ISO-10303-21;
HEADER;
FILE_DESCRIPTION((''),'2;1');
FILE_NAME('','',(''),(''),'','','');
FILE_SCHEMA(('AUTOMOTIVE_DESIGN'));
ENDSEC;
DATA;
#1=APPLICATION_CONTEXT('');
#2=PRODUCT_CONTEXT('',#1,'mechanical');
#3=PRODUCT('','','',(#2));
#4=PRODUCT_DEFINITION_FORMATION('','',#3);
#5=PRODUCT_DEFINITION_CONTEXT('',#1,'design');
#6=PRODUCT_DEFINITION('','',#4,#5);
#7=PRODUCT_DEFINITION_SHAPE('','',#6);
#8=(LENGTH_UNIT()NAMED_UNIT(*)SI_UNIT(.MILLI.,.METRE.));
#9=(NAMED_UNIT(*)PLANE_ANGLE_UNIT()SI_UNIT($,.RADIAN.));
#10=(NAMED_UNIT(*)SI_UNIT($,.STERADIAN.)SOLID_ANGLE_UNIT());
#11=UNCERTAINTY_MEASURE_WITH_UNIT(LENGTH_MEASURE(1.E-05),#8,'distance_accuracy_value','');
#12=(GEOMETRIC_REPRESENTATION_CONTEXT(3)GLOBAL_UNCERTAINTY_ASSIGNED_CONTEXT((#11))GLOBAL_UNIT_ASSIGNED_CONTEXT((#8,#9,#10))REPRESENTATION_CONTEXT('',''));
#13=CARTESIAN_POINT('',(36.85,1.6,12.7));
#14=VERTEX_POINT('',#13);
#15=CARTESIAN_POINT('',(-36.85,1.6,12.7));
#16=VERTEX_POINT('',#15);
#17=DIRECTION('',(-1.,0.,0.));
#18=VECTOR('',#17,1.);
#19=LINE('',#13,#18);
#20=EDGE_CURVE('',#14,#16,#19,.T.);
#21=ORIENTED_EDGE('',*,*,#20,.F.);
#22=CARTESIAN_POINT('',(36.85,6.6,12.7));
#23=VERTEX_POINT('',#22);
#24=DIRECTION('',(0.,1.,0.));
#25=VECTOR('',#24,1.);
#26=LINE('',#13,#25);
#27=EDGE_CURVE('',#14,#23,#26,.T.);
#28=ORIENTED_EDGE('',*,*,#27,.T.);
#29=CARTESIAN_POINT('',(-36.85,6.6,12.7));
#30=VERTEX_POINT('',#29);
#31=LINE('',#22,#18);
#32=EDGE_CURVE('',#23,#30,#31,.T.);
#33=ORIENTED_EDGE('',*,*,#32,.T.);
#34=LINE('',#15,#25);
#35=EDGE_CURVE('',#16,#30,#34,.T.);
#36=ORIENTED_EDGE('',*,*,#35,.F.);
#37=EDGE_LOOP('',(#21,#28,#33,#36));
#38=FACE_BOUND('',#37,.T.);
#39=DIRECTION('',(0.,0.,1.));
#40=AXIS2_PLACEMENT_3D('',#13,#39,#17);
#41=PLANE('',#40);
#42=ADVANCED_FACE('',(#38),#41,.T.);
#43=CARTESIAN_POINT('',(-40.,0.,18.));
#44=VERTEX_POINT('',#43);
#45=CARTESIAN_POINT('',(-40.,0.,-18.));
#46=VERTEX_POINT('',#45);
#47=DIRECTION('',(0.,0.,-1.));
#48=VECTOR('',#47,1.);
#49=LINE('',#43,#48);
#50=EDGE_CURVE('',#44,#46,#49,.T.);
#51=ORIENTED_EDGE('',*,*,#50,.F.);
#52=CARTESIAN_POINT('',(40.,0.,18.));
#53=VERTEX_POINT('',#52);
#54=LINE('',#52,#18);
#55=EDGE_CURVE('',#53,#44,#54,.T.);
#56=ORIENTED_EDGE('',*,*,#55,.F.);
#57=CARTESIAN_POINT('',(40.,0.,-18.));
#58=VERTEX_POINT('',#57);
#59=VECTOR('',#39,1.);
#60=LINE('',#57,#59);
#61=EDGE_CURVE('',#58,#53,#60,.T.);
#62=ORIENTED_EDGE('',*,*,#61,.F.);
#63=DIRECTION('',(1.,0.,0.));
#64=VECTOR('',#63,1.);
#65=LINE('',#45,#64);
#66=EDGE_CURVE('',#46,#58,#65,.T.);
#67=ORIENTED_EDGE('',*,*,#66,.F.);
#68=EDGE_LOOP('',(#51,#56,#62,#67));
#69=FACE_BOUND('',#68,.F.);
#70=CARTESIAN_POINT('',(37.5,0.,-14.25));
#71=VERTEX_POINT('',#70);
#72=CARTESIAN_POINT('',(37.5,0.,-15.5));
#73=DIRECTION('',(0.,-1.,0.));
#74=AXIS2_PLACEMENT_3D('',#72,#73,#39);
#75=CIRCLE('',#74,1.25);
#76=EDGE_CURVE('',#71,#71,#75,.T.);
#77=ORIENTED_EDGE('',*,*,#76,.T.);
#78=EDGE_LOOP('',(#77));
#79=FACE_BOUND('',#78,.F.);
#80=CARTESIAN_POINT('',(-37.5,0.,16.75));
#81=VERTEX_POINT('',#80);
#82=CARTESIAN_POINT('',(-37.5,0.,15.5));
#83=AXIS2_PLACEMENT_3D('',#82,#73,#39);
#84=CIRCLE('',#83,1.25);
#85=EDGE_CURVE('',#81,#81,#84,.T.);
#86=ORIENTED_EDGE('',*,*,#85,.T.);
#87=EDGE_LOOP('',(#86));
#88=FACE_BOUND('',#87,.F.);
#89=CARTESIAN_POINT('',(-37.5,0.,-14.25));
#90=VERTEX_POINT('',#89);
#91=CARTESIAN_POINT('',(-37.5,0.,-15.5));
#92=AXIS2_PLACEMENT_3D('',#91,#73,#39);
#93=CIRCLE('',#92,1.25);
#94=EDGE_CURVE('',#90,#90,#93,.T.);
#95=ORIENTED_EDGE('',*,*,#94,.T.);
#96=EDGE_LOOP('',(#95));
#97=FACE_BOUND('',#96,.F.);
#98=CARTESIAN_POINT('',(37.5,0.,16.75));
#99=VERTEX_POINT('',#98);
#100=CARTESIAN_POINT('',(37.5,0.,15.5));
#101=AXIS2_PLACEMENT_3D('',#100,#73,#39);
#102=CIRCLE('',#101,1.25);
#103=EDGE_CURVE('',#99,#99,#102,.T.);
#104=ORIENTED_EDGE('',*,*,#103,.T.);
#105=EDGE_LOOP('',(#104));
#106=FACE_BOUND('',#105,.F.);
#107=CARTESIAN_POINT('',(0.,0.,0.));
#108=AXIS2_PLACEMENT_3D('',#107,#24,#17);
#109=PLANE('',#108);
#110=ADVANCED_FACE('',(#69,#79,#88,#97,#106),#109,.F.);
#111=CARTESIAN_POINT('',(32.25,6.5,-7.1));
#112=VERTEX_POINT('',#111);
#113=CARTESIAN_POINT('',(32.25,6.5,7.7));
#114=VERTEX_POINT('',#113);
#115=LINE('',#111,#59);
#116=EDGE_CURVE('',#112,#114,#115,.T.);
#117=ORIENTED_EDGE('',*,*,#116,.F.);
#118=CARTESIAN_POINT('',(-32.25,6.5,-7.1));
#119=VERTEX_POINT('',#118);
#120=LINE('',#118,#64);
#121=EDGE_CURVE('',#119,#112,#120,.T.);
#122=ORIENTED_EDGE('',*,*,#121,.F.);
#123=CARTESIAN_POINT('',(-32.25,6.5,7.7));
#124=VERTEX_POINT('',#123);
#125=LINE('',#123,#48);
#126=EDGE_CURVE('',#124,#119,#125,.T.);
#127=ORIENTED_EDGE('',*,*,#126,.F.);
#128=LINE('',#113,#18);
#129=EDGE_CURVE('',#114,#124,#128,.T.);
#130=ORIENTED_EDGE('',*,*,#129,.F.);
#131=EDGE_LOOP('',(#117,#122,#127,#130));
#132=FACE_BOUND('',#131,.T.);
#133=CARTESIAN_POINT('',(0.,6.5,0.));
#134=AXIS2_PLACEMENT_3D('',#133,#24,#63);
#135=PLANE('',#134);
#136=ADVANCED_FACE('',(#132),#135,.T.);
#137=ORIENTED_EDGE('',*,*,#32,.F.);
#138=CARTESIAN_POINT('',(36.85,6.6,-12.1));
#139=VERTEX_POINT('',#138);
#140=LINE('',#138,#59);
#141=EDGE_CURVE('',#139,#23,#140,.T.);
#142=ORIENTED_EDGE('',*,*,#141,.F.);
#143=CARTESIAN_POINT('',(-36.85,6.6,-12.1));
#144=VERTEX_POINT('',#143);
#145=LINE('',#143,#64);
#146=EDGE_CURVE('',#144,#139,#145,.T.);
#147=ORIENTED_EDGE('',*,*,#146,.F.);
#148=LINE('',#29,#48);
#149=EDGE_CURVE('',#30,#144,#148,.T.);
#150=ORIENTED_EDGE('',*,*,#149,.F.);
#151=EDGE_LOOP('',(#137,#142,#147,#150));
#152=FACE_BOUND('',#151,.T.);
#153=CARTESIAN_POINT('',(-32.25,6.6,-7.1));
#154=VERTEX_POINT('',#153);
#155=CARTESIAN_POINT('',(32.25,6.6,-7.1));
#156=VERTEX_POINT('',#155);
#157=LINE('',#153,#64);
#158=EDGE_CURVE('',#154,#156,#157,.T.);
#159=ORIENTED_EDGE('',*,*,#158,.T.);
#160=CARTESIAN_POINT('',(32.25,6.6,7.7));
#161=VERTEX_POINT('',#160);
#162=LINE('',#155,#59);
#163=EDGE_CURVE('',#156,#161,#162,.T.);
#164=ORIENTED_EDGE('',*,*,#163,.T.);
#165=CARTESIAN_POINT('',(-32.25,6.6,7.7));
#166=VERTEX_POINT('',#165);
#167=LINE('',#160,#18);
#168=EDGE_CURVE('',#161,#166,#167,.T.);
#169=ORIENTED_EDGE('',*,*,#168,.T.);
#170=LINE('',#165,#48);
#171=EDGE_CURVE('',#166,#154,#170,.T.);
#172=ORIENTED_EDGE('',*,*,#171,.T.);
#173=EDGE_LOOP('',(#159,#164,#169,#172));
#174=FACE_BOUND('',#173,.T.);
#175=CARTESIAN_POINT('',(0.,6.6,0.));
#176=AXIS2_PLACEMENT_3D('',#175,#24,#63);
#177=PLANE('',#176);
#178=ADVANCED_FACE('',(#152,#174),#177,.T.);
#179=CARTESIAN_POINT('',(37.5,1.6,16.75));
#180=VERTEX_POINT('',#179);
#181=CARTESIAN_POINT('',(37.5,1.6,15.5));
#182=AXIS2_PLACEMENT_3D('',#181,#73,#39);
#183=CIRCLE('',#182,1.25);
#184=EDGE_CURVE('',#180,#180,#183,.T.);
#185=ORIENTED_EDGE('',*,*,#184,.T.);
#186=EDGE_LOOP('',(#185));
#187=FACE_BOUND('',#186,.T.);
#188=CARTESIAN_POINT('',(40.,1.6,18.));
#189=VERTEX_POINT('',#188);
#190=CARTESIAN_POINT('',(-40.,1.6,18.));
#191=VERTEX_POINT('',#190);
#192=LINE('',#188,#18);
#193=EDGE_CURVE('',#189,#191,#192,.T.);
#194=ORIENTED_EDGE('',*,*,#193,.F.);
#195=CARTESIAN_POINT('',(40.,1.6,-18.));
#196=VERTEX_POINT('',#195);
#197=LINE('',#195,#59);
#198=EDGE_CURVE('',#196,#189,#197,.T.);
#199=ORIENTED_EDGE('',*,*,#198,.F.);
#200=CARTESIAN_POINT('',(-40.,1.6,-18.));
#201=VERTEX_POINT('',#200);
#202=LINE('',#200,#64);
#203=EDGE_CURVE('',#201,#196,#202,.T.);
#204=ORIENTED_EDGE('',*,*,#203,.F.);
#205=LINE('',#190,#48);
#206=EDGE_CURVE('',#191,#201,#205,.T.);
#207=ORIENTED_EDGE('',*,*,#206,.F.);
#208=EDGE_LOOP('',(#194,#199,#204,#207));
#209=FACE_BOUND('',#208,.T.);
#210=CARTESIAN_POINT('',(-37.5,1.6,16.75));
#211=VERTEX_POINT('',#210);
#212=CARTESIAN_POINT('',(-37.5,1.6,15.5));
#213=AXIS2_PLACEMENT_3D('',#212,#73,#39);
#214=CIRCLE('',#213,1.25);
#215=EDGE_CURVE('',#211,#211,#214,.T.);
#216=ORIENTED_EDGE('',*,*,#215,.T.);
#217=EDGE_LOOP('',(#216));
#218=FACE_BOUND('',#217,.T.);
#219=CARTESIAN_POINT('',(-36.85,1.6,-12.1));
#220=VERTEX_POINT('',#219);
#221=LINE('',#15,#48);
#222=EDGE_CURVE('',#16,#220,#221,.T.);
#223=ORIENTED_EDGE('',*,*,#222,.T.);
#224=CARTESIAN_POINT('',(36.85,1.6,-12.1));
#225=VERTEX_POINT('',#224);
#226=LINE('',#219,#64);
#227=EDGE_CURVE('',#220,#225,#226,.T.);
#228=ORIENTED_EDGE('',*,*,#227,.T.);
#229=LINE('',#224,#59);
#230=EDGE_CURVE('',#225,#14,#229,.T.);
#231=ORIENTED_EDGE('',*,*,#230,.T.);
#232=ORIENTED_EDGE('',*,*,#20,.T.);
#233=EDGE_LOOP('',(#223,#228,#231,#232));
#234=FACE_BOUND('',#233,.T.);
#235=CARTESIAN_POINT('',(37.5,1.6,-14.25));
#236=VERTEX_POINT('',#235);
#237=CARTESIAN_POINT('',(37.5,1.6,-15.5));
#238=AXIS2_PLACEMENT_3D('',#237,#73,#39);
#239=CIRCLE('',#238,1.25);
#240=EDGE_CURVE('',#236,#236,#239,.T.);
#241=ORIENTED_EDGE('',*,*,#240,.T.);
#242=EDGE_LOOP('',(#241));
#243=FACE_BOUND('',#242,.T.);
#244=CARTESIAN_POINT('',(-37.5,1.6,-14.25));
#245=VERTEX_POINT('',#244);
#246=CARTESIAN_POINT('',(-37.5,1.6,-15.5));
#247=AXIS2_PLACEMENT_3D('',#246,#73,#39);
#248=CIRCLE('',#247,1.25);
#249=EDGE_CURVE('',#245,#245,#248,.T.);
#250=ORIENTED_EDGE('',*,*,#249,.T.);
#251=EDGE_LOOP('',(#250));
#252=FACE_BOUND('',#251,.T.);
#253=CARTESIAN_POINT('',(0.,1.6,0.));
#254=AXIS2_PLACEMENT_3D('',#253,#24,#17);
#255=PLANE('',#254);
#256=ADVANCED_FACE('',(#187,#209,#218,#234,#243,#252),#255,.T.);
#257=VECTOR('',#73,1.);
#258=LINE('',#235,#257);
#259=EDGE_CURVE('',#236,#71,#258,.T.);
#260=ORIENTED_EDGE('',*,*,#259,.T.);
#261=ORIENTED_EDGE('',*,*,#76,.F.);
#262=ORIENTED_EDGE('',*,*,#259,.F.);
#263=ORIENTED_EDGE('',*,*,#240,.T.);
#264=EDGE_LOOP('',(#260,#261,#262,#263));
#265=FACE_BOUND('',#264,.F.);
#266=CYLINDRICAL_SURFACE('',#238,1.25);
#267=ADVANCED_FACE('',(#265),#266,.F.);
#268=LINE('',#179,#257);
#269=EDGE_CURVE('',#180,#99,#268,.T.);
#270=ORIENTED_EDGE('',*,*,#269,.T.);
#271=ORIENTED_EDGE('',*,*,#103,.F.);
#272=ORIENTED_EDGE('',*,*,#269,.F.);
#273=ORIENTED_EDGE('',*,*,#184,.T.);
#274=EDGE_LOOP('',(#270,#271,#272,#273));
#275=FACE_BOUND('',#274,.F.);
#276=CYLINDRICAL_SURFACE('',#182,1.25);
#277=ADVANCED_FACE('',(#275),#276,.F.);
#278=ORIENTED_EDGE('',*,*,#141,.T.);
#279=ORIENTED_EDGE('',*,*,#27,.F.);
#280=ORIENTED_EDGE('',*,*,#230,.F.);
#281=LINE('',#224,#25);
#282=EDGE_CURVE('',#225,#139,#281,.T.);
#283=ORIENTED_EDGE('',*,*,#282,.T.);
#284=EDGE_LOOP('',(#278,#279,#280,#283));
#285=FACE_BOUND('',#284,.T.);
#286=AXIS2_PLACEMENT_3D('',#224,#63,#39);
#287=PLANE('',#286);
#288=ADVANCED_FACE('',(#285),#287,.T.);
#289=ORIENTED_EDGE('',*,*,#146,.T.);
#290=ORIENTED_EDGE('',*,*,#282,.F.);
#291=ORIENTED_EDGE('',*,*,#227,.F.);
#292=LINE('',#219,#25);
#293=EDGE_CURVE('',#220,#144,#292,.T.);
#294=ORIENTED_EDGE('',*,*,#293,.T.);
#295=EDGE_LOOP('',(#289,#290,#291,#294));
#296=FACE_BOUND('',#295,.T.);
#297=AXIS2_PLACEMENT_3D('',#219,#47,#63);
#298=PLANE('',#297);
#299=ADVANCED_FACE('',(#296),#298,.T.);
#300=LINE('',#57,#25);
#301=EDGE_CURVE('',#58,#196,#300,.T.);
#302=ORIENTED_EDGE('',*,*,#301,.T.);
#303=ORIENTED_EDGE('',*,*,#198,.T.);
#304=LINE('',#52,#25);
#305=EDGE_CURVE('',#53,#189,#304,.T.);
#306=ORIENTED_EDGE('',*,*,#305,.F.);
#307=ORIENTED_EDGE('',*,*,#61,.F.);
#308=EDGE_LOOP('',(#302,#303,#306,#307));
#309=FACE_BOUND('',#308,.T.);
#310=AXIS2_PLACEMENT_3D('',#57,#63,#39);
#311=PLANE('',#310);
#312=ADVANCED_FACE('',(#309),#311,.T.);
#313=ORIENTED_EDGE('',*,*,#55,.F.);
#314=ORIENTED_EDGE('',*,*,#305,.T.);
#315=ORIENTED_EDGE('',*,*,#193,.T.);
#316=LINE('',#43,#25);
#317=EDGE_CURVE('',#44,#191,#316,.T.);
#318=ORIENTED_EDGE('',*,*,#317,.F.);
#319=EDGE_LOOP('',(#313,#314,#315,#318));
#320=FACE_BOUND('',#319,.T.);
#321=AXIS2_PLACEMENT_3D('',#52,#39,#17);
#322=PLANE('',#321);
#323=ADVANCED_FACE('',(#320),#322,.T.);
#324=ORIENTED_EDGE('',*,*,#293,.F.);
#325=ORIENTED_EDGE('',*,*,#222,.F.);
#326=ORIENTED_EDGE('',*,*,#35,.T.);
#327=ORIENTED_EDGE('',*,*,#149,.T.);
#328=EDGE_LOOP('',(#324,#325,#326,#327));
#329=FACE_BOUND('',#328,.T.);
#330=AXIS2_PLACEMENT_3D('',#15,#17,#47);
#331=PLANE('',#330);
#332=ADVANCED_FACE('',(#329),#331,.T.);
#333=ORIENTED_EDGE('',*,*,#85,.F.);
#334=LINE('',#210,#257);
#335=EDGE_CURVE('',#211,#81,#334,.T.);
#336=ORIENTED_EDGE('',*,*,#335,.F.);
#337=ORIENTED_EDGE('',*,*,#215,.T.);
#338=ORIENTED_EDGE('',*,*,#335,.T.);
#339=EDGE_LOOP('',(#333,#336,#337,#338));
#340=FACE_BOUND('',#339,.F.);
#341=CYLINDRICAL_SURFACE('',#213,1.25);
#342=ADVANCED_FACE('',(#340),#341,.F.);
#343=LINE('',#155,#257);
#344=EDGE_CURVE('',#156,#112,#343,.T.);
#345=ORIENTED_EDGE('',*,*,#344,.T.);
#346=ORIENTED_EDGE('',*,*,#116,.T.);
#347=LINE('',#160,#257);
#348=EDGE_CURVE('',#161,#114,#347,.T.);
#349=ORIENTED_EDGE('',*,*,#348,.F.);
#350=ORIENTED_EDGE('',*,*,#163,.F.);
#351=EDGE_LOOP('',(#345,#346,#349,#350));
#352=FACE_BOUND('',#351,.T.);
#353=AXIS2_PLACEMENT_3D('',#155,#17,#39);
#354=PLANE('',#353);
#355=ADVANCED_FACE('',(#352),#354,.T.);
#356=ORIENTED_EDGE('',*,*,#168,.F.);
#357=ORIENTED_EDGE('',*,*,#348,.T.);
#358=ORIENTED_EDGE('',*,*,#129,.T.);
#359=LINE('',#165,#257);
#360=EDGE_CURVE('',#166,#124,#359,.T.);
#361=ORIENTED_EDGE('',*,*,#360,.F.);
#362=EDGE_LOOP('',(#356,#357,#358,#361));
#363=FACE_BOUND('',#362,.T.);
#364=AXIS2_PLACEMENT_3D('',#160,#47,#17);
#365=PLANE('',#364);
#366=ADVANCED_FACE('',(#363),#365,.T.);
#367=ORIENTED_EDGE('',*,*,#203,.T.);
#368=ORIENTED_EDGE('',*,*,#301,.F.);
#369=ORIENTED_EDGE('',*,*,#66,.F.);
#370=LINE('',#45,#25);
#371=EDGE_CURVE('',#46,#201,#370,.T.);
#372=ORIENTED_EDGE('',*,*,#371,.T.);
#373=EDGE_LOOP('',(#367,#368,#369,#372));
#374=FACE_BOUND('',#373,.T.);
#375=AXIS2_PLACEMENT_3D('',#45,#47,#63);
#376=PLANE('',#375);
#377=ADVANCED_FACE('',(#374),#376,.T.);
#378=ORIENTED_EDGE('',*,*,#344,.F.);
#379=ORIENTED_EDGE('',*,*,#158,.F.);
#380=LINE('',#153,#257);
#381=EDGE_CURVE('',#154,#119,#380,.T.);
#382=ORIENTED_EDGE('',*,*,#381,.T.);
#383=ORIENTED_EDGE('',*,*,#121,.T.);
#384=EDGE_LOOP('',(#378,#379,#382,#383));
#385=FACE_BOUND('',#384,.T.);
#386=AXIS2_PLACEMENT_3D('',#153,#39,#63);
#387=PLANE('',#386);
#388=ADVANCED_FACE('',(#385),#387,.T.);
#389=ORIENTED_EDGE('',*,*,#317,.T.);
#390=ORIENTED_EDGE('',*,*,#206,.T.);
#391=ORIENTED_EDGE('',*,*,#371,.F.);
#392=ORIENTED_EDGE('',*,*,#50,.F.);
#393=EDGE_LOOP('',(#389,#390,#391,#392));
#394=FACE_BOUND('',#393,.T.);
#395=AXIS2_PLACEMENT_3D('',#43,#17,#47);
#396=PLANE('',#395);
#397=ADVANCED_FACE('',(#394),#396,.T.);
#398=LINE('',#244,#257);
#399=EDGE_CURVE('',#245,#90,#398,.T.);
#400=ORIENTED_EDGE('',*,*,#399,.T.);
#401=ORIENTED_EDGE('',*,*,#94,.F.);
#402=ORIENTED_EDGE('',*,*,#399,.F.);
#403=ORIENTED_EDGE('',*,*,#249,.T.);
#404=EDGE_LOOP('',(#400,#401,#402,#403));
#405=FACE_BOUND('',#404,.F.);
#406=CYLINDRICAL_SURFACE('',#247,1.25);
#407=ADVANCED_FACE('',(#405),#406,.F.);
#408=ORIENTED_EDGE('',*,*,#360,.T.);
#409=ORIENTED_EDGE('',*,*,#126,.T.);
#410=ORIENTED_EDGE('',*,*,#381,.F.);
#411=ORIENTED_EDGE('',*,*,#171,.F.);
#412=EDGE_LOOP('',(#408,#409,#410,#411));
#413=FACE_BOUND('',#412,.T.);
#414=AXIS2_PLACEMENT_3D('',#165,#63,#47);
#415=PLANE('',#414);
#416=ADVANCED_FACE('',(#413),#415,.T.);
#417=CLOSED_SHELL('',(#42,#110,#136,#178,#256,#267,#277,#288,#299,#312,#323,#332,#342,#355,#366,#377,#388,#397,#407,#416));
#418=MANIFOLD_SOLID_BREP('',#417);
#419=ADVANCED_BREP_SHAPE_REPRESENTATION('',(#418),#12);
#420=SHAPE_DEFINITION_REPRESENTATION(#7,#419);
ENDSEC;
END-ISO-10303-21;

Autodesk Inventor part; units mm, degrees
ref_plane "YZ Plane" through (0, 0, 0) normal (1, 0, 0) x (0, 1, 0)
ref_plane "XZ Plane" through (0, 0, 0) normal (0, 1, 0) x (-1, 0, 0)
ref_plane "XY Plane" through (0, 0, 0) normal (0, 0, 1) x (1, 0, 0)
sketch "Sketch1" plane through (0, 0, 0) normal (0, 1, 0) x (-1, 0, 0)
  line L0 (-40, 18) -> (40, 18)
  line L1 (40, 18) -> (40, -18)
  line L2 (40, -18) -> (-40, -18)
  line L3 (-40, -18) -> (-40, 18)
  line L4 (-40, 18) -> (40, -18) construction
  line L5 (40, 18) -> (-40, -18) construction
  point P0 (0, 0)
  dimension "d0" = 80
  dimension "d1" = 36
extrude "Extrusion1" add sketch "Sketch1" along normal blind 1.6
sketch "Sketch2" plane through (0, 1.6, 0) normal (0, 1, 0) x (1, 0, 0)
  line L0 (-40, -18) -> (40, -18) construction
  line L1 (40, -18) -> (40, 18) construction
  line L2 (40, 18) -> (-40, 18) construction
  line L3 (-40, 18) -> (-40, -18) construction
  point P0 (0, 0)
  point P1 (-37.5, 15.5)
  point P2 (37.5, 15.5)
  point P3 (-37.5, -15.5)
  point P4 (37.5, -15.5)
  dimension "d4" = 75
  dimension "d5" = 31
  dimension "d6" = 2.5
  dimension "d7" = 2.5
hole "Hole1" at (-37.5, 1.6, -15.5) at (37.5, 1.6, -15.5) at (-37.5, 1.6, 15.5) at (37.5, 1.6, 15.5) direction (0, -1, 0) diameter 2.5 end through all
sketch "Sketch3" plane through (0, 1.6, 0) normal (0, 1, 0) x (1, 0, 0)
  line L0 (36.85, -12.7) -> (-36.85, -12.7)
  line L1 (-36.85, -12.7) -> (-36.85, 12.1)
  line L2 (-36.85, 12.1) -> (36.85, 12.1)
  line L3 (36.85, 12.1) -> (36.85, -12.7)
  line L4 (36.85, -12.7) -> (-36.85, 12.1) construction
  line L5 (-36.85, -12.7) -> (36.85, 12.1) construction
  circle A0 centre (-37.5, -15.5) radius 1.25 construction
  circle A1 centre (-37.5, 15.5) radius 1.25 construction
  circle A2 centre (37.5, 15.5) radius 1.25 construction
  circle A3 centre (37.5, -15.5) radius 1.25 construction
  line L6 (-40, -18) -> (40, -18) construction
  line L7 (40, -18) -> (40, 18) construction
  line L8 (40, 18) -> (-40, 18) construction
  line L9 (-40, 18) -> (-40, -18) construction
  point P0 (0, 0)
  point P1 (0, -0.3)
  dimension "d15" = 73.7
  dimension "d16" = 24.8
  dimension "d17" = 5.9
  dimension "d18" = 3.15
extrude "Extrusion2" add sketch "Sketch3" along normal blind 5
sketch "Sketch4" plane through (0, 6.6, 0) normal (0, 1, 0) x (1, 0, 0)
  line L0 (32.25, -7.7) -> (-32.25, -7.7)
  line L1 (-32.25, -7.7) -> (-32.25, 7.1)
  line L2 (-32.25, 7.1) -> (32.25, 7.1)
  line L3 (32.25, 7.1) -> (32.25, -7.7)
  line L4 (32.25, -7.7) -> (-32.25, 7.1) construction
  line L5 (-32.25, -7.7) -> (32.25, 7.1) construction
  line L6 (-36.85, -12.7) -> (-36.85, 12.1) construction
  line L7 (-36.85, 12.1) -> (36.85, 12.1) construction
  line L8 (36.85, 12.1) -> (36.85, -12.7) construction
  line L9 (36.85, -12.7) -> (-36.85, -12.7) construction
  circle A0 centre (-37.5, -15.5) radius 1.25 construction
  circle A1 centre (-37.5, 15.5) radius 1.25 construction
  circle A2 centre (37.5, 15.5) radius 1.25 construction
  circle A3 centre (37.5, -15.5) radius 1.25 construction
  line L10 (-40, -18) -> (40, -18) construction
  line L11 (40, -18) -> (40, 18) construction
  line L12 (40, 18) -> (-40, 18) construction
  line L13 (-40, 18) -> (-40, -18) construction
  point P0 (0, 0)
  point P1 (0, -0.3)
  dimension "d21" = 64.5
  dimension "d22" = 14.8
  dimension "d23" = 10.9
  dimension "d24" = 7.75
extrude "Extrusion3" cut sketch "Sketch4" against normal blind 0.1
sketch "Sketch5" plane through (0, 6.5, 0) normal (0, 1, 0) x (1, 0, 0)
  line L0 (-28.1, 5.45) -> (28.1, 5.45) construction
  line L1 (28.1, 5.45) -> (28.1, -6.05) construction
  line L2 (28.1, -6.05) -> (-28.1, -6.05) construction
  line L3 (-28.1, -6.05) -> (-28.1, 5.45) construction
  line L4 (32.25, -7.7) -> (-32.25, -7.7) construction
  line L5 (32.25, 7.1) -> (32.25, -7.7) construction
  line L6 (-32.25, 7.1) -> (32.25, 7.1) construction
  line L7 (-32.25, -7.7) -> (-32.25, 7.1) construction
  line L8 (-36.85, -12.7) -> (-36.85, 12.1) construction
  line L9 (-36.85, 12.1) -> (36.85, 12.1) construction
  line L10 (36.85, 12.1) -> (36.85, -12.7) construction
  line L11 (36.85, -12.7) -> (-36.85, -12.7) construction
  circle A0 centre (-37.5, -15.5) radius 1.25 construction
  circle A1 centre (-37.5, 15.5) radius 1.25 construction
  circle A2 centre (37.5, 15.5) radius 1.25 construction
  circle A3 centre (37.5, -15.5) radius 1.25 construction
  line L12 (-40, -18) -> (40, -18) construction
  line L13 (40, -18) -> (40, 18) construction
  line L14 (40, 18) -> (-40, 18) construction
  line L15 (-40, 18) -> (-40, -18) construction
  line L16 (32.25, 7.1) -> (32.25, -7.7) construction
  line L17 (32.25, -7.7) -> (-32.25, -7.7) construction
  line L18 (-32.25, -7.7) -> (-32.25, 7.1) construction
  line L19 (-32.25, 7.1) -> (32.25, 7.1) construction
  line L20 (-36.85, -12.7) -> (36.85, -12.7) construction
  line L21 (36.85, -12.7) -> (36.85, 12.1) construction
  line L22 (36.85, 12.1) -> (-36.85, 12.1) construction
  line L23 (-36.85, 12.1) -> (-36.85, -12.7) construction
  point P0 (0, 0)
  dimension "d27" = 56.2
  dimension "d28" = 11.5
  dimension "d29" = 12.55
  dimension "d30" = 11.9
properties part number "LCD Display"
